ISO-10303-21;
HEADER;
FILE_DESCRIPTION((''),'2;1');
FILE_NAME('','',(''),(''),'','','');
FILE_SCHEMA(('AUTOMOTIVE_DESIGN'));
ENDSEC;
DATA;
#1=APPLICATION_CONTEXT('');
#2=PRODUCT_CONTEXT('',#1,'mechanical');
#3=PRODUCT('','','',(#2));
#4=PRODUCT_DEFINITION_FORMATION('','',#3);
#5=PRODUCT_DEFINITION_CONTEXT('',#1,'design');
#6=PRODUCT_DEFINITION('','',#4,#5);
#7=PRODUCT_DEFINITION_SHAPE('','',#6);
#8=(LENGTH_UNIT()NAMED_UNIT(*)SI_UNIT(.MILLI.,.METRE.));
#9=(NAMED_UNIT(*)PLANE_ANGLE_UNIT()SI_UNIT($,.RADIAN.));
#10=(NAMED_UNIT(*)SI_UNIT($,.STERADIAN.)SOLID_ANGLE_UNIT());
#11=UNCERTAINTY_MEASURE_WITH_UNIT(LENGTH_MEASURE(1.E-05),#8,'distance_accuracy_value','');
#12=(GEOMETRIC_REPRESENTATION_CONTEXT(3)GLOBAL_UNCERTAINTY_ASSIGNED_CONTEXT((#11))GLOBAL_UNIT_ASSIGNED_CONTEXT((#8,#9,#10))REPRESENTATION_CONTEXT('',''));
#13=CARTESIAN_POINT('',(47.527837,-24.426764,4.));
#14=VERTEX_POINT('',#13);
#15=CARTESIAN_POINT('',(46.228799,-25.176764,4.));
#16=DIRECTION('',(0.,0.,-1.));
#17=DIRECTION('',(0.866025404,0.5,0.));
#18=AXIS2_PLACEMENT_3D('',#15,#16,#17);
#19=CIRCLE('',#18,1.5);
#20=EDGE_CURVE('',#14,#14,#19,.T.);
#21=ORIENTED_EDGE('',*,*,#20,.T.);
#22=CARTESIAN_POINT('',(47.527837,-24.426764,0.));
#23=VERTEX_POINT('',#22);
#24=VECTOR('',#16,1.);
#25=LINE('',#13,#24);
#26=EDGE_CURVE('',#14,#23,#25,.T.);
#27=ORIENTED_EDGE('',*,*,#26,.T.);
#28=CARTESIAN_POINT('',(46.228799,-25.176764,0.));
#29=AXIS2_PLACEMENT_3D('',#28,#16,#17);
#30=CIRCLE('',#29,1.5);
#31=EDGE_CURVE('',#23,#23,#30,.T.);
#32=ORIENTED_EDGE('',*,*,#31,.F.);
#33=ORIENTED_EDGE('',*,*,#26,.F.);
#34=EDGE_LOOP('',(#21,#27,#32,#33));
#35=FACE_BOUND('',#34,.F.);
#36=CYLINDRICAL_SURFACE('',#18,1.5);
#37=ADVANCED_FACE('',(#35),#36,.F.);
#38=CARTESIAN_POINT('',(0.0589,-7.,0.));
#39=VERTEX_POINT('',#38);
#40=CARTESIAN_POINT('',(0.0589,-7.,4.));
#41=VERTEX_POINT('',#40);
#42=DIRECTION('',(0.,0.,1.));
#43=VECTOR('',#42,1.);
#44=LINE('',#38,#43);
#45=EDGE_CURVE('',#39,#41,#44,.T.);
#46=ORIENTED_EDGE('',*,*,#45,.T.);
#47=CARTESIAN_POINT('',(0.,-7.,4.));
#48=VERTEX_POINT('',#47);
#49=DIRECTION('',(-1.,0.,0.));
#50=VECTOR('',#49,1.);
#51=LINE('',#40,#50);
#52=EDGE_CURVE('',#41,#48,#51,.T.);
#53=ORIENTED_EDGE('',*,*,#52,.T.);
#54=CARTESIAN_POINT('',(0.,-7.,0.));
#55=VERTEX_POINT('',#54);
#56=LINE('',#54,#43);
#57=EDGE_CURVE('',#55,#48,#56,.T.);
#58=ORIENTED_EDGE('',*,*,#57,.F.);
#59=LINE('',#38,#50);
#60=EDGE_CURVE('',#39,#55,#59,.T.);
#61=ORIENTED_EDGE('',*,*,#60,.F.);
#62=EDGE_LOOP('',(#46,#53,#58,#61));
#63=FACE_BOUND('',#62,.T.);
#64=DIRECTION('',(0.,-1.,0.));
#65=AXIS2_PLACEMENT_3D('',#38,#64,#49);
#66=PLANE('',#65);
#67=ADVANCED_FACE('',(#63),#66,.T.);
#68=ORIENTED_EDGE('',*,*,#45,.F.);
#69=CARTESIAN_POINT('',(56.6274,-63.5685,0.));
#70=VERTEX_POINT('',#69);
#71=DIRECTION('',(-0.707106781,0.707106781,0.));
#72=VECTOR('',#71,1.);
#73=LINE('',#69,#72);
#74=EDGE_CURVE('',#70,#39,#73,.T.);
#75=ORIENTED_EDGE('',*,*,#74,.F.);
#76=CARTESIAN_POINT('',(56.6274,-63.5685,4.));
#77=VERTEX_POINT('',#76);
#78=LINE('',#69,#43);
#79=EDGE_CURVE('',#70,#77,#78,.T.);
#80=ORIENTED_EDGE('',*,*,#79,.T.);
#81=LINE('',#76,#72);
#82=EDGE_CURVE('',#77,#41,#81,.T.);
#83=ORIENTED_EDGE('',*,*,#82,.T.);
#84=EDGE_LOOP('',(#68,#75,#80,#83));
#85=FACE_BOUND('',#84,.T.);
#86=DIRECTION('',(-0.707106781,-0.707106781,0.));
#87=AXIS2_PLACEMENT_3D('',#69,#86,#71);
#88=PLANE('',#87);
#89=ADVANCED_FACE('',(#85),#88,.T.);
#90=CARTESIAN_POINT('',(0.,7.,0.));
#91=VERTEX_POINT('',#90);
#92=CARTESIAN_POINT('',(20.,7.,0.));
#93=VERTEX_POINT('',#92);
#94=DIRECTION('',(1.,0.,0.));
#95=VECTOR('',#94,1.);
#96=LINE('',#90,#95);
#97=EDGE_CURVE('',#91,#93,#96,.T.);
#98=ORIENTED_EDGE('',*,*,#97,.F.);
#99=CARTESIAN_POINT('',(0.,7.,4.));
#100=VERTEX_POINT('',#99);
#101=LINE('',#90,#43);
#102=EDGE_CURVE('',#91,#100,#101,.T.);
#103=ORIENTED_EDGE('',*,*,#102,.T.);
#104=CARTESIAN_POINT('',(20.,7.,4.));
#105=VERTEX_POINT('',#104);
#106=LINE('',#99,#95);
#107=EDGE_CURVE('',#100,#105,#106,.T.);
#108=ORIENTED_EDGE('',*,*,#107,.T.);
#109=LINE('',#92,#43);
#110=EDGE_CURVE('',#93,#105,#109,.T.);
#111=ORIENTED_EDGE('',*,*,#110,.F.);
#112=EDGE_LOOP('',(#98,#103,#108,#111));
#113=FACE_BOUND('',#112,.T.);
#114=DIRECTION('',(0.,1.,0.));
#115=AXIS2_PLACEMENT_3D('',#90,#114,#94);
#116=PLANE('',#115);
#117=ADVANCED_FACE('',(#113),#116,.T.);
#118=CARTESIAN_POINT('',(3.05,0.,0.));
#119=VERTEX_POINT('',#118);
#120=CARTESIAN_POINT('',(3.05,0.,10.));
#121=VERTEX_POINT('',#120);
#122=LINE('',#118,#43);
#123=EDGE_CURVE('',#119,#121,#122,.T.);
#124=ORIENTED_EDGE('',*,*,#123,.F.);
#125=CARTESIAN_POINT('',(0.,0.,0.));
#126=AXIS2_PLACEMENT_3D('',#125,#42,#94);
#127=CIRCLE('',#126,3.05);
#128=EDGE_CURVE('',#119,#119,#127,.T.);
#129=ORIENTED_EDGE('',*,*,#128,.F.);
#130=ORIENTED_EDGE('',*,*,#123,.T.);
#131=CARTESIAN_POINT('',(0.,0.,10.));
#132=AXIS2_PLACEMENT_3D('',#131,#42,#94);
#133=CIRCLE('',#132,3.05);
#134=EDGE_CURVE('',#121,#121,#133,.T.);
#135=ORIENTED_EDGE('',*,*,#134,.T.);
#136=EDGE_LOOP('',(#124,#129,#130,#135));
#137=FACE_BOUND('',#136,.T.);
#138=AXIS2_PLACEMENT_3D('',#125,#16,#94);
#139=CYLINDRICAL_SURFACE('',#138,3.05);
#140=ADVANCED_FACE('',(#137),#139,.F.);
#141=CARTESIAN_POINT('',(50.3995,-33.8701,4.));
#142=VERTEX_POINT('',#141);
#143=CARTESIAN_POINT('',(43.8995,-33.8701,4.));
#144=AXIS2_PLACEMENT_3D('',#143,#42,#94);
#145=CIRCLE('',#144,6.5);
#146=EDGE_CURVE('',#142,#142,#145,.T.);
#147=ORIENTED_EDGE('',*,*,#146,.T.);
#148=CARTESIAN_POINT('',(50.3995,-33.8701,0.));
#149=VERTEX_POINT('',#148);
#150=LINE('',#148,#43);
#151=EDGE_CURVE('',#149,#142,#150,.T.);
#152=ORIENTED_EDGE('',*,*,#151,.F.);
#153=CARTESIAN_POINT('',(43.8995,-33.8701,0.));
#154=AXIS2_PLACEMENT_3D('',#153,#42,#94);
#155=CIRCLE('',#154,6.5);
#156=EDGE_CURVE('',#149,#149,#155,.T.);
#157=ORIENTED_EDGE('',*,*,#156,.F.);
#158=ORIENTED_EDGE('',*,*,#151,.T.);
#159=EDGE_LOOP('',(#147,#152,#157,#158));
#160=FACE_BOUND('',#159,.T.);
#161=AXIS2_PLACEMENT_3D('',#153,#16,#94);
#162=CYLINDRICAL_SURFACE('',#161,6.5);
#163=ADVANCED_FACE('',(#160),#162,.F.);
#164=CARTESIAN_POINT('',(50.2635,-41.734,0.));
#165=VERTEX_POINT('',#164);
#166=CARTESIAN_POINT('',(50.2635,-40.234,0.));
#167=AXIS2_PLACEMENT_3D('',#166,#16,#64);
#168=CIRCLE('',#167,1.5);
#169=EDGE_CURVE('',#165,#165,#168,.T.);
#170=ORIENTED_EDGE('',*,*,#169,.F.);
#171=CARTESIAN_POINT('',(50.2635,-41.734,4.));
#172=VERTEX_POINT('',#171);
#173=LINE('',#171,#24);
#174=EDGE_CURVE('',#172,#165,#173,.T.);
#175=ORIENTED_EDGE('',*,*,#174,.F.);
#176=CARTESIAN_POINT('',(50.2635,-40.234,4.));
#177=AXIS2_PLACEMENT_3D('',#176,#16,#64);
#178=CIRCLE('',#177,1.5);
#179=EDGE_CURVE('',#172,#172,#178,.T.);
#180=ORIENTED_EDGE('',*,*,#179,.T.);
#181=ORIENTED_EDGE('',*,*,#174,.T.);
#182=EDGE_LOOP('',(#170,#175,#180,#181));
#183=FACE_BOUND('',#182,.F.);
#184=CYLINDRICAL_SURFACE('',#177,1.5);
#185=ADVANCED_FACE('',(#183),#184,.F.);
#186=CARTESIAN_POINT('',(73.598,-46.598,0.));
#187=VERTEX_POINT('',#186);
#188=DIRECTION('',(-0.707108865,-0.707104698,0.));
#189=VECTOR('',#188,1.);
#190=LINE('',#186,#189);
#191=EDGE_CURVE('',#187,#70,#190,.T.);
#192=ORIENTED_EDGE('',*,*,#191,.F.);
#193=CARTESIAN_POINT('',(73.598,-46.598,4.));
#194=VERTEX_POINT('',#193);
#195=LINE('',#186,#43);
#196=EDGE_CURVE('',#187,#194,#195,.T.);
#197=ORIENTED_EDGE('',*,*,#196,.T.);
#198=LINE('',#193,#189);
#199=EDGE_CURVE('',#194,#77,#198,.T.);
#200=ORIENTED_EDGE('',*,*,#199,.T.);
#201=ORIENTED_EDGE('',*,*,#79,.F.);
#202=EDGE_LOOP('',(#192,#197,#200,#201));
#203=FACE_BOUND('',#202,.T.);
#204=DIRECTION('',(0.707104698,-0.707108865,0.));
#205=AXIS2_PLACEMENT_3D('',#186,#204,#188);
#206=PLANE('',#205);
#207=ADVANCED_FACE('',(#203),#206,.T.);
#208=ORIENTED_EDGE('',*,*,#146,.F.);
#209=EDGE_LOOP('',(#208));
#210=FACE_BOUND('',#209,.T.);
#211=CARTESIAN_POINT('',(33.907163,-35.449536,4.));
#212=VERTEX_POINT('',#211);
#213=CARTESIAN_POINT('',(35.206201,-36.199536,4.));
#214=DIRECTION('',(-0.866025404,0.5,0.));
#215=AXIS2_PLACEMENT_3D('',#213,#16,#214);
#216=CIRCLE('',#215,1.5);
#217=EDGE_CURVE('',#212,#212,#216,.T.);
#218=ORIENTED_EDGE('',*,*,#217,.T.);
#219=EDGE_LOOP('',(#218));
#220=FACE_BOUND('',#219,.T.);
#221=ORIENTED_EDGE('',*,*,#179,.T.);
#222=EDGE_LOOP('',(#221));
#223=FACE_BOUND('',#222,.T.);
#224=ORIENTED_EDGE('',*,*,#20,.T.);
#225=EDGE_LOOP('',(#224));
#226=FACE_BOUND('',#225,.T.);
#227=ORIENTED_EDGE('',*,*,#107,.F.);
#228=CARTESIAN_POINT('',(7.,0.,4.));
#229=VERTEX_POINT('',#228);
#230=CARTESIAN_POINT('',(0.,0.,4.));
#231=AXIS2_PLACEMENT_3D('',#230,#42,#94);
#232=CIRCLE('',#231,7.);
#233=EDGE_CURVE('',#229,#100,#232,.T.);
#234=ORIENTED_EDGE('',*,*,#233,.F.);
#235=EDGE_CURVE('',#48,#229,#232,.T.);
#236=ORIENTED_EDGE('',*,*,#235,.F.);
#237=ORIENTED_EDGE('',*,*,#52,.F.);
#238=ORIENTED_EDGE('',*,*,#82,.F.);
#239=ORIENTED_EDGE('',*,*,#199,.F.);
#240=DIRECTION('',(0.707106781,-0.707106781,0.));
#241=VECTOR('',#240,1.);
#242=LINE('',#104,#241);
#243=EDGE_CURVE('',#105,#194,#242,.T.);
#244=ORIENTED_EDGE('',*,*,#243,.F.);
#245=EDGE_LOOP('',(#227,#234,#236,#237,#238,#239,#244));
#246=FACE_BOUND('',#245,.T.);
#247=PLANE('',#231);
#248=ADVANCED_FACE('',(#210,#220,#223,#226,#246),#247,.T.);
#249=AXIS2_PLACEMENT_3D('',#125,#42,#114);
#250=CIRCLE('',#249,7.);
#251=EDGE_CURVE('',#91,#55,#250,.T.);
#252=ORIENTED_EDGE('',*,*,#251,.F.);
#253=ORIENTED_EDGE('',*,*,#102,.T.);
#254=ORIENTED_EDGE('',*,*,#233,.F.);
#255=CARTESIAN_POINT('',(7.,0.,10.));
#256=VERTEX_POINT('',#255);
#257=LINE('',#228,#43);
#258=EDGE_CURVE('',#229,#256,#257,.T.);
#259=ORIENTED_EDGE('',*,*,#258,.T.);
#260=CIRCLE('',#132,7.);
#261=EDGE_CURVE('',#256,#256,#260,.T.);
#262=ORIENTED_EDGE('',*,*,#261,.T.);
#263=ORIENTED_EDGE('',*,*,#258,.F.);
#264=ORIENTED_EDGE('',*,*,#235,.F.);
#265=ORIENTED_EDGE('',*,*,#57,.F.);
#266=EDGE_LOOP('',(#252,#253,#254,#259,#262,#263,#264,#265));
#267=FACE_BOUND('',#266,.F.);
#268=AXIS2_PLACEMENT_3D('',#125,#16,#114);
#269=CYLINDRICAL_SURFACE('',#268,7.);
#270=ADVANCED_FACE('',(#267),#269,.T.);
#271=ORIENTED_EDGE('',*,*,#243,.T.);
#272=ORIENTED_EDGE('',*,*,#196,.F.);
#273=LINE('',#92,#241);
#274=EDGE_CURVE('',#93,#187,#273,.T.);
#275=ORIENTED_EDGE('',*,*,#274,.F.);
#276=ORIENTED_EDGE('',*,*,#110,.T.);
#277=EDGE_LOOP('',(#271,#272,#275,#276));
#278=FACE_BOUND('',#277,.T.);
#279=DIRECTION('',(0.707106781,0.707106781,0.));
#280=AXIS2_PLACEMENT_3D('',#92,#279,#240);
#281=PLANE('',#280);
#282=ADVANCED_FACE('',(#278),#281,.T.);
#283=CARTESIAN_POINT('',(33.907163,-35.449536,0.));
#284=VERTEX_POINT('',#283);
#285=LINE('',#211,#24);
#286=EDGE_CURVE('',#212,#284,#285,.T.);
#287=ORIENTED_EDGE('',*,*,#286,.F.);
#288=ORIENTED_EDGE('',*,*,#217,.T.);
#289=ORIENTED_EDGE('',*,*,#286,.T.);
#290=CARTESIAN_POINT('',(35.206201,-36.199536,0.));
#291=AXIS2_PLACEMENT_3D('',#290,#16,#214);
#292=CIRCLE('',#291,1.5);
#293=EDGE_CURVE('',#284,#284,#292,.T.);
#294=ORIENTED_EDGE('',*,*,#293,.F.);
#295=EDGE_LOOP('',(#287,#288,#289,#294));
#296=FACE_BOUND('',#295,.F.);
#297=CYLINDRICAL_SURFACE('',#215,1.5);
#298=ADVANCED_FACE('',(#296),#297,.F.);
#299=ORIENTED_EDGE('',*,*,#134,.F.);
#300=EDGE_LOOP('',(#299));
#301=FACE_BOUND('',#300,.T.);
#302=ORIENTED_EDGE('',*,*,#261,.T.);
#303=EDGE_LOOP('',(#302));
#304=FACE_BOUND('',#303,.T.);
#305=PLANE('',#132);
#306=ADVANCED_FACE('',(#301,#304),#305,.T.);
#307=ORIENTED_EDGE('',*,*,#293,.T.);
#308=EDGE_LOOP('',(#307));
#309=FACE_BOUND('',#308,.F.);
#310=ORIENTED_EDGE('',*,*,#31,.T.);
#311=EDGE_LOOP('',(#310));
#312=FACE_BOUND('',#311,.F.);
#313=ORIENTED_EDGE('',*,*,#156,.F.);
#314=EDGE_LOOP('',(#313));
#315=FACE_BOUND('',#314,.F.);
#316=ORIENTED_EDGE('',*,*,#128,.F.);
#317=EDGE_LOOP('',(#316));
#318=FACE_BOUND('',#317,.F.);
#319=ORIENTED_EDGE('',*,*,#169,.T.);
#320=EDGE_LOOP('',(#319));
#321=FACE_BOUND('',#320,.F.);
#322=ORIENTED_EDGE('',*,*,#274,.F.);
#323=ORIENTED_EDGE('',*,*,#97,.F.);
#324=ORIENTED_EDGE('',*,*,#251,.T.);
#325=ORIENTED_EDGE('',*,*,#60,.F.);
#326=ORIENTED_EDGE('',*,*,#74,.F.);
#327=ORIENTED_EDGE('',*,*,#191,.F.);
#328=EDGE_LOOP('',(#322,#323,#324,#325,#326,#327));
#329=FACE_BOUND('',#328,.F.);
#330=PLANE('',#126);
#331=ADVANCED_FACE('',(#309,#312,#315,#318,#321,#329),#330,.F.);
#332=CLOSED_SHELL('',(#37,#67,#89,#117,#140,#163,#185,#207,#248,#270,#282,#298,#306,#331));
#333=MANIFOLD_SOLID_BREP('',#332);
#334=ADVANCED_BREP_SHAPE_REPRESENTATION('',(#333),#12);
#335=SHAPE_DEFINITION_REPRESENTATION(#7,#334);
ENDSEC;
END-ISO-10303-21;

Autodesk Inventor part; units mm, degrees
ref_plane "YZ Plane" through (0, 0, 0) normal (1, 0, 0) x (0, 1, 0)
ref_plane "XZ Plane" through (0, 0, 0) normal (0, 1, 0) x (-1, 0, 0)
ref_plane "XY Plane" through (0, 0, 0) normal (0, 0, 1) x (1, 0, 0)
sketch "Skizze1" plane through (0, 0, 0) normal (0, 0, 1) x (1, 0, 0)
  arc A0 (0, 7) -> (0, -7) centre (0, 0) ccw
  line L0 (0, 7) -> (20, 7)
  line L1 (20, 7) -> (73.598, -46.598)
  line L2 (73.598, -46.598) -> (56.6274, -63.5685)
  line L3 (56.6274, -63.5685) -> (0.0589, -7)
  line L4 (0.0589, -7) -> (0, -7)
  line L5 (65.1127, -55.0833) -> (43.8995, -33.8701) construction
  circle A1 centre (43.8995, -33.8701) radius 6.5
  circle A2 centre (0, 0) radius 3.05
  dimension "d0" = 14
  dimension "d1" = 6.1
  dimension "d2" = 13
  dimension "d3" = 24
  dimension "d4" = 80
  dimension "d5" = 30
  dimension "d6" = 20
  dimension "d7" = 135
extrude "Extrusion1" add sketch "Skizze1" along normal blind 4
sketch "Skizze4" plane through (0, 0, 4) normal (0, 0, 1) x (1, 0, 0)
  circle A0 centre (0, 0) radius 3.05
  circle A1 centre (0, 0) radius 7
  dimension "d18" = 14
  dimension "d19" = 6.1
extrude "Extrusion4" add sketch "Skizze4" along normal blind 6
hole "Bohrung1" at (50.2635, -40.234, 4) direction (0, 0, -1) diameter 3 depth 8 tip angle 118
pattern_circular "Runde Anordnung1" count 3 over 360 about axis through (43.8995, -33.8701, 0) along (0, 0, 1) of "Bohrung1"
properties part number "Armlinks"
